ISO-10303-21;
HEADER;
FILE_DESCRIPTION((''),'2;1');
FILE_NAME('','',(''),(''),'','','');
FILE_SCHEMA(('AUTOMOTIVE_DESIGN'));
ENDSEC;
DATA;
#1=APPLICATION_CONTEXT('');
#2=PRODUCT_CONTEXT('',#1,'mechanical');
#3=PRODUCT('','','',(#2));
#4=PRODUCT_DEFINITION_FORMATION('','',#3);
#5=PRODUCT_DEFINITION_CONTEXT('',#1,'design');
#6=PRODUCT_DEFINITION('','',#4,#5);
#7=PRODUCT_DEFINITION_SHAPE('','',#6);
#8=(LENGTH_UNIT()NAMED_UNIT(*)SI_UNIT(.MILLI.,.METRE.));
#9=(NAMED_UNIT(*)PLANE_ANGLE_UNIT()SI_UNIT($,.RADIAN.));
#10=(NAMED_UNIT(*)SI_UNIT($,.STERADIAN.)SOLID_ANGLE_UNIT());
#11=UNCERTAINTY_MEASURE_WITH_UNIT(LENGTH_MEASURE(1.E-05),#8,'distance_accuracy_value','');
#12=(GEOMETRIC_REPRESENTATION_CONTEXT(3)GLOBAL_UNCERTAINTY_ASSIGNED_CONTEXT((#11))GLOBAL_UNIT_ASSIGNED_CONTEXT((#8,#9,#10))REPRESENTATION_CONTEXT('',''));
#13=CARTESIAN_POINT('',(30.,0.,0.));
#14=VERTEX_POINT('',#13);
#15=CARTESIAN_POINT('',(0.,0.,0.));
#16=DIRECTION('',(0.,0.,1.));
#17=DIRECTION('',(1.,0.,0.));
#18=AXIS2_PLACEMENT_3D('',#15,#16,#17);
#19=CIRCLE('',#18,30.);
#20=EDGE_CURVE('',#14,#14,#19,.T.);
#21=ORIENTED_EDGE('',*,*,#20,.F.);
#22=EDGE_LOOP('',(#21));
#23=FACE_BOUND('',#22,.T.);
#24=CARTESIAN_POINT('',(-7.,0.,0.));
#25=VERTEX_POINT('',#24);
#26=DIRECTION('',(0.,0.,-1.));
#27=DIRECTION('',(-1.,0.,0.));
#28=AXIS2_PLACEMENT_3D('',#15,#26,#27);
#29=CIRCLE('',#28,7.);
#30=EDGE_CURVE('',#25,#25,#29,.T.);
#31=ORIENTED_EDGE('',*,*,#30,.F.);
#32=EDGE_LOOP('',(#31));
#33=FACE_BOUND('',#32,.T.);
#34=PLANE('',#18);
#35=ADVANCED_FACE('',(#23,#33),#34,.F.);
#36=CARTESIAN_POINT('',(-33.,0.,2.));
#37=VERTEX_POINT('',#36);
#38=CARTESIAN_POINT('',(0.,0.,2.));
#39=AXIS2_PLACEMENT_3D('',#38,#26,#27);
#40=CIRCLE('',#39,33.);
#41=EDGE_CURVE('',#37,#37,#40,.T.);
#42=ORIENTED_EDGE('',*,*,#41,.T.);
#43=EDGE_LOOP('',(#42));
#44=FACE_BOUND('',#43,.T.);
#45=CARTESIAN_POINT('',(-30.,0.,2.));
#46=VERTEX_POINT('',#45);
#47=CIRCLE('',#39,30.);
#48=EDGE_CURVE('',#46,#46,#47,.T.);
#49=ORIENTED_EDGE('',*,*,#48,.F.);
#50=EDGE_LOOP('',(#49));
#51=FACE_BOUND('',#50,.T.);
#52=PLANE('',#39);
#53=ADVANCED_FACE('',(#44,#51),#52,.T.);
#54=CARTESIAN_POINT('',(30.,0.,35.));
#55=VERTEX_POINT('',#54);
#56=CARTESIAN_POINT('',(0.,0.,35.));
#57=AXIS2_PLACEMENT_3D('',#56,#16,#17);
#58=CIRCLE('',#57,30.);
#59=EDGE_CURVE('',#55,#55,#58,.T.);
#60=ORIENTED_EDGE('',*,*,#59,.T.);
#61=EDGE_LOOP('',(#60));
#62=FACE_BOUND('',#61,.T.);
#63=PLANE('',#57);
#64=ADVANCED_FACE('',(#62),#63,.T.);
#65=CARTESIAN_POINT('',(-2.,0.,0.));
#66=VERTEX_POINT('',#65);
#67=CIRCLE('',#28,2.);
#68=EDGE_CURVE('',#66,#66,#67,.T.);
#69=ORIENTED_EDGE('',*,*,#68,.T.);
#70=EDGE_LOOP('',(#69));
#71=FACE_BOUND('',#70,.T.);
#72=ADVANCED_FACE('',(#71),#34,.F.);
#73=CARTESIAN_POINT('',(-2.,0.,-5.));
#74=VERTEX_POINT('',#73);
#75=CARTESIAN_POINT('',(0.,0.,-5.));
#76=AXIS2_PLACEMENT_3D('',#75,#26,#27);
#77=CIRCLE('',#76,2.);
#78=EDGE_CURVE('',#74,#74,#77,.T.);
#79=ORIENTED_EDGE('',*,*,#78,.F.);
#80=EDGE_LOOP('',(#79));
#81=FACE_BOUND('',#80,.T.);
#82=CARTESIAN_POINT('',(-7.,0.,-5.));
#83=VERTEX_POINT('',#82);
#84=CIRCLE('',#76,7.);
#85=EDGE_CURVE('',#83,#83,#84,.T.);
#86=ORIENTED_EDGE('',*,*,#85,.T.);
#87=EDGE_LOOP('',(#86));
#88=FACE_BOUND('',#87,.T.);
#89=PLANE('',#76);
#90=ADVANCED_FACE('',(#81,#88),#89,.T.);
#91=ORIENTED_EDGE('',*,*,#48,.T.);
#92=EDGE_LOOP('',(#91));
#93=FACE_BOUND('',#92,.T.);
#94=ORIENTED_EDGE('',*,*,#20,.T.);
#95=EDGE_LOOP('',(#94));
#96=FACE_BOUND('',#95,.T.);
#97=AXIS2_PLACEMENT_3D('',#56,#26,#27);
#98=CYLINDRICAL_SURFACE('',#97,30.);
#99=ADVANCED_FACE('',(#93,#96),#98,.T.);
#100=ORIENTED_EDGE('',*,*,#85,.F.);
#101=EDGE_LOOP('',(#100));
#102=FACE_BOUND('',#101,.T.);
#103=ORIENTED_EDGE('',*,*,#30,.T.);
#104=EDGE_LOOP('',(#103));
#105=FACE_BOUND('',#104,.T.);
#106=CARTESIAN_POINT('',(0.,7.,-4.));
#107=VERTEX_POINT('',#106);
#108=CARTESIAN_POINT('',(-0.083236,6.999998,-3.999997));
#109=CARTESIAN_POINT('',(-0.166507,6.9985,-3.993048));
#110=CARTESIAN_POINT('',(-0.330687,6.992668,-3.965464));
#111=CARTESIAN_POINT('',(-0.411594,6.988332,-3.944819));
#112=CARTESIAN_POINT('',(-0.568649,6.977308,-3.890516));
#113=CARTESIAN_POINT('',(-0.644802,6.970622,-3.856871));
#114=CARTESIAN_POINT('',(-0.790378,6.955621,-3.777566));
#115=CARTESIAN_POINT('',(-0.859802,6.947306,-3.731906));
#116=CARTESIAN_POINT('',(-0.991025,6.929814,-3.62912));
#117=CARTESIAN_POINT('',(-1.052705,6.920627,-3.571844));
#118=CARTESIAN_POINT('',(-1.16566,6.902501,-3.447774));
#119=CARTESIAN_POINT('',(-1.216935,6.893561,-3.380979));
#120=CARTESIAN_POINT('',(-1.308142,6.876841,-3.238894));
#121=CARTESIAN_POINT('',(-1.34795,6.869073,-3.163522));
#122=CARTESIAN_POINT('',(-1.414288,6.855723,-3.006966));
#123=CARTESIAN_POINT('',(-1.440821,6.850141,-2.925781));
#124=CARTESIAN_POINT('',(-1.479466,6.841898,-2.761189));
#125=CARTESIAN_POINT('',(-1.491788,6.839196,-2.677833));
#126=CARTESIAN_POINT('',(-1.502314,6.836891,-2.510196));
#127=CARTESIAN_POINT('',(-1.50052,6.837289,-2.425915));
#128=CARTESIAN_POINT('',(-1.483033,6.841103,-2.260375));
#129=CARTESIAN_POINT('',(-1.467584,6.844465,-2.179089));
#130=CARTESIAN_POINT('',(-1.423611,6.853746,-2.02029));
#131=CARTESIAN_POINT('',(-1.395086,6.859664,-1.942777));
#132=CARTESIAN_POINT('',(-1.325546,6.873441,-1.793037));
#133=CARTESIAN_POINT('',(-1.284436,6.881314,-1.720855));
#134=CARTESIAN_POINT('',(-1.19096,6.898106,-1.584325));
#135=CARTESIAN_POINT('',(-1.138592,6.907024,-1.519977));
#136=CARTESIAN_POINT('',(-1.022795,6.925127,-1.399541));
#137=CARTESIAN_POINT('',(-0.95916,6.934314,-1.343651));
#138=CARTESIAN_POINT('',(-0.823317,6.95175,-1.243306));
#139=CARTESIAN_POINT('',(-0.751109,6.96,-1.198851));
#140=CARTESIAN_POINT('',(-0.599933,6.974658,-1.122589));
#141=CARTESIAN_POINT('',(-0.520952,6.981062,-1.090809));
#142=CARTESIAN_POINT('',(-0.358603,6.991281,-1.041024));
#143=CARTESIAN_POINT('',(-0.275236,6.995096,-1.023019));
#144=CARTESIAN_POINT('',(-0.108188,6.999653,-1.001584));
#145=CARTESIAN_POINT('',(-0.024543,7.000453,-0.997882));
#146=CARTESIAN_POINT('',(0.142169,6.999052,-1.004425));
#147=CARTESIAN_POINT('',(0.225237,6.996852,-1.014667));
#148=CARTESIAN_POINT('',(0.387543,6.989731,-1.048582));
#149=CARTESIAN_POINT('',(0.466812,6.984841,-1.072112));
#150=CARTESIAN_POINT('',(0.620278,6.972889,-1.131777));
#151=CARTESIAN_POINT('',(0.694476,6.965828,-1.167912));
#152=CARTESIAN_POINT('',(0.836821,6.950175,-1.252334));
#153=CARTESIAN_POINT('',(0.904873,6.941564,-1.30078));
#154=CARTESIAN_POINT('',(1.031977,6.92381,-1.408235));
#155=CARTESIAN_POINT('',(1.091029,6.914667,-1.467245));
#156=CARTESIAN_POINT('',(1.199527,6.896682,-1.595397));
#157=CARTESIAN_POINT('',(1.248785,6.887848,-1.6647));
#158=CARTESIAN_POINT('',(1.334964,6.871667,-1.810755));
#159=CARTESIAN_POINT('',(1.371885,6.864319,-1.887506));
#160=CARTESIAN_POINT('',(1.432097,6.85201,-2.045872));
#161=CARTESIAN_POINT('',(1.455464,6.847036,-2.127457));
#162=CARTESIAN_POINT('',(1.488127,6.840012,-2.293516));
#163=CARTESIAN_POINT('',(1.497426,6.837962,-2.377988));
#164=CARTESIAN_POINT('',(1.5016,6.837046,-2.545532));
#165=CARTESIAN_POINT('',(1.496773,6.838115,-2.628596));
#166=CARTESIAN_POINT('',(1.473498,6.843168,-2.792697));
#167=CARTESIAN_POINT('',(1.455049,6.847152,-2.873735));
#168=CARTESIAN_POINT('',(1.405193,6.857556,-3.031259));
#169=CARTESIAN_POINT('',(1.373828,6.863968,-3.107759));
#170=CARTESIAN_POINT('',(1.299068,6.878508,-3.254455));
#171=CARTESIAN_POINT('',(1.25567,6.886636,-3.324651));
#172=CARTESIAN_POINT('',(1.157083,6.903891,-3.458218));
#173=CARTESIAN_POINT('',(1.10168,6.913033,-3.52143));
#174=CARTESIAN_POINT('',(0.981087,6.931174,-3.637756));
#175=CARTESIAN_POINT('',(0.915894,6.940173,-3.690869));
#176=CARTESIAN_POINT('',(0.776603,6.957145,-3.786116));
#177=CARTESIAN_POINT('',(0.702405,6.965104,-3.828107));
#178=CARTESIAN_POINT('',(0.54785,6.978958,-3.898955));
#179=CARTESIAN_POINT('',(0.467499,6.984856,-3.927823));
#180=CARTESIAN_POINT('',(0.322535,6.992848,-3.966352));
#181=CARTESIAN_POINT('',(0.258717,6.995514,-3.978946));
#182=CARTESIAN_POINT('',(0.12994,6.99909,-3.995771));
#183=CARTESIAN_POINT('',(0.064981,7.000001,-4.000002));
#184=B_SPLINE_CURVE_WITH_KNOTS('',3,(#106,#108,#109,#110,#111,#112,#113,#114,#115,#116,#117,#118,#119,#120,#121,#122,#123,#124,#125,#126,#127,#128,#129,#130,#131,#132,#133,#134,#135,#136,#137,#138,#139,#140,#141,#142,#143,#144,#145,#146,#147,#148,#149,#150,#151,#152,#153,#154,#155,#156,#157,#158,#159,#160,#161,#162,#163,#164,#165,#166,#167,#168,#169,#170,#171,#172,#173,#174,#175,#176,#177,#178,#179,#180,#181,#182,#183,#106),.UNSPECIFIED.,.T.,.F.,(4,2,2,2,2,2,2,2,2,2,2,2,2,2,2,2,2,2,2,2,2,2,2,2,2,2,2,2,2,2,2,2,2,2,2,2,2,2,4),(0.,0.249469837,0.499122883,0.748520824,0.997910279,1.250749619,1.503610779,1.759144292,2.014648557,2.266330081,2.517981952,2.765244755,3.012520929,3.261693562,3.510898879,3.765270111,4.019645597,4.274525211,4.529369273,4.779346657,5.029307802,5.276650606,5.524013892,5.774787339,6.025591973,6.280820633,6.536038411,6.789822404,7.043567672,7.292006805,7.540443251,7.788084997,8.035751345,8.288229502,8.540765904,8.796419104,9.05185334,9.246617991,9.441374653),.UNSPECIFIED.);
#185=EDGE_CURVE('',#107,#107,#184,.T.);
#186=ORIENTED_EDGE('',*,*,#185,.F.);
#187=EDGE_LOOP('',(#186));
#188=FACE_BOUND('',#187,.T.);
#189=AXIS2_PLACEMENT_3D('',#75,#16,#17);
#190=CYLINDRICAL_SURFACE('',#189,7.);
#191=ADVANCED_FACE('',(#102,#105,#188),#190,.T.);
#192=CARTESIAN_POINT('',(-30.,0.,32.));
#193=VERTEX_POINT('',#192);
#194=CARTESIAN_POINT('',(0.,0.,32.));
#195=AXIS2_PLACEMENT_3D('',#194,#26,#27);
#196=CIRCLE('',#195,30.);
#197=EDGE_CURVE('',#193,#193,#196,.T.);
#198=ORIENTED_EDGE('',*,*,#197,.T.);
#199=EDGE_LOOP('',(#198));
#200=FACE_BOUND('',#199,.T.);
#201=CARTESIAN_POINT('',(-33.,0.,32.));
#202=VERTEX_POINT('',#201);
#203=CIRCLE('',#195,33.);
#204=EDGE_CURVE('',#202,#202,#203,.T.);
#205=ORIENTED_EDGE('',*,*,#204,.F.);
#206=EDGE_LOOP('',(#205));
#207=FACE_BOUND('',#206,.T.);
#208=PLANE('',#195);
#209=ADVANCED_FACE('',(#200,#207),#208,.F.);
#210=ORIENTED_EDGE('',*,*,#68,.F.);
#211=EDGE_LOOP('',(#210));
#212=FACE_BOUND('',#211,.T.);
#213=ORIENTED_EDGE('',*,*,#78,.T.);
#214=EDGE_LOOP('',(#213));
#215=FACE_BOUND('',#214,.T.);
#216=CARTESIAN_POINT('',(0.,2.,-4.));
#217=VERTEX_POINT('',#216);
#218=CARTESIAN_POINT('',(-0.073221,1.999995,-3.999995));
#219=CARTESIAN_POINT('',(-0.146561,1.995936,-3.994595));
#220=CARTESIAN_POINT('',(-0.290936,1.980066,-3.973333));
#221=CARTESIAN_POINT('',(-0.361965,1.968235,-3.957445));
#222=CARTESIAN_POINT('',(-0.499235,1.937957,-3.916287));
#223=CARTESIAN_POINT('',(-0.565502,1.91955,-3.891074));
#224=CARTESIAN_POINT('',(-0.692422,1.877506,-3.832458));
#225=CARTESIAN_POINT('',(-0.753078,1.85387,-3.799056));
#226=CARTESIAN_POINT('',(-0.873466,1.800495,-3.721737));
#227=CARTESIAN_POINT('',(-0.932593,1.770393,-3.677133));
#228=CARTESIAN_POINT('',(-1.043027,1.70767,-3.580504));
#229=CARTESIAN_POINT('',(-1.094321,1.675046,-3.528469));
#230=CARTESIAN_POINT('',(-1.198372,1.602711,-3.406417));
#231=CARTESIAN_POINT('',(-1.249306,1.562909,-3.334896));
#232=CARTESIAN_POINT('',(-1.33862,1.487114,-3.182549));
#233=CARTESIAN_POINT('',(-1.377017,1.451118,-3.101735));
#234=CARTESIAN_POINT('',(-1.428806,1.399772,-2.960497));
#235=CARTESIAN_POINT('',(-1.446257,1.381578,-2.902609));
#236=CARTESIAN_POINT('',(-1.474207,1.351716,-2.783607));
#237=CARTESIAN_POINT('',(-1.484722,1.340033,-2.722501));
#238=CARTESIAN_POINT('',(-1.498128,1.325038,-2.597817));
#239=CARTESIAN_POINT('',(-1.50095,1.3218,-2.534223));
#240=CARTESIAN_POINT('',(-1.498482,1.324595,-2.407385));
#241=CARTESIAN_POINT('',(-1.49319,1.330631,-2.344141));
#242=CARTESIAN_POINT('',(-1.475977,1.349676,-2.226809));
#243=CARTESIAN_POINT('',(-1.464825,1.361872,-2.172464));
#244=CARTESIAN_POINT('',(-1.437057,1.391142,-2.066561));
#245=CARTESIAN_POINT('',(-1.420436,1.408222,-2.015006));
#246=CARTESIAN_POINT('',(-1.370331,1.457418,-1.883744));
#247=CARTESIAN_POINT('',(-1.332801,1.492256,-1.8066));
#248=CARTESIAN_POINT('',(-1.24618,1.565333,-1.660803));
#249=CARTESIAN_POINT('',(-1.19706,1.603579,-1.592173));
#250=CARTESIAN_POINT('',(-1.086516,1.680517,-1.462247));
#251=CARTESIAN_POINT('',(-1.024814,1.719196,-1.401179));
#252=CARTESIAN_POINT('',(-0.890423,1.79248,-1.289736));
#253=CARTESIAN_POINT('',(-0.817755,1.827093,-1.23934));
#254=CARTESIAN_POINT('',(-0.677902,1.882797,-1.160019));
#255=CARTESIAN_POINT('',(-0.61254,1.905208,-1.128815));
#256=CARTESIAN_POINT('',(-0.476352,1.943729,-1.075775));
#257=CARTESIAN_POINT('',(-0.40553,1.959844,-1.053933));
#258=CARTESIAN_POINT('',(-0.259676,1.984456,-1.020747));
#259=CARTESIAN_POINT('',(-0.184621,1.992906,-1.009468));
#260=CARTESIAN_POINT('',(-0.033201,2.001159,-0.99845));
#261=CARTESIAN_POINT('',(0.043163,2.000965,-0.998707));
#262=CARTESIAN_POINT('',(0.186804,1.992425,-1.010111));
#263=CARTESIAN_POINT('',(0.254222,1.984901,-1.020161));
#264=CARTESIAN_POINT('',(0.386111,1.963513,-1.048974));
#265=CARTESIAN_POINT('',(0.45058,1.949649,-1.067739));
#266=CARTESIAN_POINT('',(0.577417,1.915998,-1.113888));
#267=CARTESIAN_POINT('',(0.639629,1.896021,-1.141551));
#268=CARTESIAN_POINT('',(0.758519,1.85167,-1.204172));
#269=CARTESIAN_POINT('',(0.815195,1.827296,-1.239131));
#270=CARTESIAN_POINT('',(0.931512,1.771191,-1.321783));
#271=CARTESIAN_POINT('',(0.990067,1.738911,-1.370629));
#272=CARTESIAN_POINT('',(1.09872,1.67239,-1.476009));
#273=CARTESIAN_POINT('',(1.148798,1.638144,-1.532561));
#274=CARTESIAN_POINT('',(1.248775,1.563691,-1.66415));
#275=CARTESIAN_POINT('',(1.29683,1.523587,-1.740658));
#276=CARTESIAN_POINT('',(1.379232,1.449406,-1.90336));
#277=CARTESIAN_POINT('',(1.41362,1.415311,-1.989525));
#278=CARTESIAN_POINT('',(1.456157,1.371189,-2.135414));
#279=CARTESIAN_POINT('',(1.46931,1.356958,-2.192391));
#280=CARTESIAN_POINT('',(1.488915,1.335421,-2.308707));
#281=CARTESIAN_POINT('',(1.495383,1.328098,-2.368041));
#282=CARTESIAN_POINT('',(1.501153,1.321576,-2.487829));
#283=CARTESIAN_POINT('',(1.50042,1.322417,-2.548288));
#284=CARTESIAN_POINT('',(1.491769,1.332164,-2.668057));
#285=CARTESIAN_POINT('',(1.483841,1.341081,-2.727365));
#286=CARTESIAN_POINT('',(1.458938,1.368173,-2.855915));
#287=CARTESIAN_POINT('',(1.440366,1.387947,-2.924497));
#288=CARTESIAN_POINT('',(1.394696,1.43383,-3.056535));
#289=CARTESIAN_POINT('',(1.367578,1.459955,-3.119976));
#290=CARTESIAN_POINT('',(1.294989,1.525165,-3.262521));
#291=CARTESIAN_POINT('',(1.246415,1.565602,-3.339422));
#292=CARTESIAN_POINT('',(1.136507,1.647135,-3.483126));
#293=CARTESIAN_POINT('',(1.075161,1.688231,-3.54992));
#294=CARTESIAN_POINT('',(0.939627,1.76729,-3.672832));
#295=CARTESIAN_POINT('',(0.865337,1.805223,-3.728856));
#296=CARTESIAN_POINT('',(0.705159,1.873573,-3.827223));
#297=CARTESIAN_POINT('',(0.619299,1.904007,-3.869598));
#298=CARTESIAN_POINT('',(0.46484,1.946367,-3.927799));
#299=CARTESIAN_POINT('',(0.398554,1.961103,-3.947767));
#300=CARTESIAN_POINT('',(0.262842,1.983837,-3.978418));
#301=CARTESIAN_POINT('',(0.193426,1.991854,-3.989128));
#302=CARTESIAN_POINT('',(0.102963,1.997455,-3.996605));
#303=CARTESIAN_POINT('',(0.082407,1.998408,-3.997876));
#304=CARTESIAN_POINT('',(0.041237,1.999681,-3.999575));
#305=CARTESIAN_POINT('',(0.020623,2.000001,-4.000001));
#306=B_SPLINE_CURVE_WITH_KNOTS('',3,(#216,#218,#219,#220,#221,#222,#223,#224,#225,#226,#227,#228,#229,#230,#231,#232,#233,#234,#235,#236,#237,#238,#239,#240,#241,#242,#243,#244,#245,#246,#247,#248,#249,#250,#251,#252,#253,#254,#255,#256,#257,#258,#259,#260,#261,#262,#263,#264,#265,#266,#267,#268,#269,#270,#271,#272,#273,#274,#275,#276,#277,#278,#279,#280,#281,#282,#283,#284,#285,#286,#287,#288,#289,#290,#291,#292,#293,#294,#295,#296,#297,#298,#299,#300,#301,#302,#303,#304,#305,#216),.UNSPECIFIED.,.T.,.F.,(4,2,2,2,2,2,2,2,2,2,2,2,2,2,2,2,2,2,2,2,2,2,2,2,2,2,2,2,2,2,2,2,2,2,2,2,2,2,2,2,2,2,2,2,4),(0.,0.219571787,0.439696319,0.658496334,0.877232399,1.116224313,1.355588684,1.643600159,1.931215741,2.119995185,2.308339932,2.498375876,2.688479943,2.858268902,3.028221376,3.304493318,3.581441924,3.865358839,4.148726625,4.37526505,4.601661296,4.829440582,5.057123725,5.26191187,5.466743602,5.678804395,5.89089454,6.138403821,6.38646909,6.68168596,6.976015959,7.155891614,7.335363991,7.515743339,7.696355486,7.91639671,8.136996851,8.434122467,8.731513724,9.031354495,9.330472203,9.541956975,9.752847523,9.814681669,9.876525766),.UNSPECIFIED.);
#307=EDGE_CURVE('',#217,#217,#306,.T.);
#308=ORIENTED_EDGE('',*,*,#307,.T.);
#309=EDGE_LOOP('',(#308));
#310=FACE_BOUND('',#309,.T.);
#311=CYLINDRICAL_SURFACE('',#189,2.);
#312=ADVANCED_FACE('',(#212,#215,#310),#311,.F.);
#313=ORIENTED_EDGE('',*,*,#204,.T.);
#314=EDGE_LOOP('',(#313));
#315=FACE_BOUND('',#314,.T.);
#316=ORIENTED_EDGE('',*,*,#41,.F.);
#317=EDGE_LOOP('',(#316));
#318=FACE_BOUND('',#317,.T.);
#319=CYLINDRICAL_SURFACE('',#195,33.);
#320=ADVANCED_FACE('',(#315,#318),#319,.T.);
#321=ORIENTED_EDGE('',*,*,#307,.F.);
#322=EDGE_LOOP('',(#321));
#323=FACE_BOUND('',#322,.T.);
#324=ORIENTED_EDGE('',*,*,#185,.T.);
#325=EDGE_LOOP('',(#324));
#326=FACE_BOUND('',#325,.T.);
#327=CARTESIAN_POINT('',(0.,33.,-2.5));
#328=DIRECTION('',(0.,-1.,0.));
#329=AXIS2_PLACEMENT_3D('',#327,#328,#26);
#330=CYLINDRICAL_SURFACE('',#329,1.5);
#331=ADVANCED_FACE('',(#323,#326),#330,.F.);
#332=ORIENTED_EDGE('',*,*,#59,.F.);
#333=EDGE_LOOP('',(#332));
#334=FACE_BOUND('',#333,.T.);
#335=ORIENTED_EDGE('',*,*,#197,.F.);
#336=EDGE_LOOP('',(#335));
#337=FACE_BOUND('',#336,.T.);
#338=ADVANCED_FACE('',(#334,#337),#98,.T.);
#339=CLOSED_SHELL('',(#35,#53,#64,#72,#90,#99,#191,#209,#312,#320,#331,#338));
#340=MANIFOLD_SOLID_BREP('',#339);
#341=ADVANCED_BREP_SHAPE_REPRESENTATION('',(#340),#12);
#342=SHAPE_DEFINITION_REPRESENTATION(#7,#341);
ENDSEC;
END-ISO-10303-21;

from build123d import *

# Parameters (mm, degrees)
ESQUISSE1_R             = 30
BOSS_EXTRU_1_DEPTH      = 35
BOSS_EXTRU_2_START      = -2
ESQUISSE3_R             = 33
ESQUISSE3_R_2           = 30
BOSS_EXTRU_2_DEPTH      = 30
ESQUISSE4_R             = 7
ESQUISSE4_R_2           = 2
BOSS_EXTRU_3_DEPTH      = 5
ESQUISSE5_R             = 1.5
ENL_V_MAT_EXTRU_1_DEPTH = 59.335238064


with BuildPart() as part:
    # Esquisse1 → Boss.-Extru.1 (new body)
    with BuildSketch(Plane.XY):
        Circle(ESQUISSE1_R)
    extrude(amount=BOSS_EXTRU_1_DEPTH)

    # Esquisse3 → Boss.-Extru.2 (add)
    with BuildSketch(Plane(origin=(0, 0, 0), x_dir=(-1, 0, 0), z_dir=(0, 0, -1)).offset(BOSS_EXTRU_2_START)):
        Circle(ESQUISSE3_R)
        Circle(ESQUISSE3_R_2, mode=Mode.SUBTRACT)
    extrude(amount=-BOSS_EXTRU_2_DEPTH)

    # Esquisse4 → Boss.-Extru.3 (add)
    with BuildSketch(Plane(origin=(0, 0, 0), x_dir=(-1, 0, 0), z_dir=(0, 0, -1))):
        Circle(ESQUISSE4_R)
        Circle(ESQUISSE4_R_2, mode=Mode.SUBTRACT)
    extrude(amount=BOSS_EXTRU_3_DEPTH)

    # Esquisse5 → Enlèv. mat.-Extru.1 (cut, through all)
    with BuildSketch(Plane(origin=(0, 0, 0), x_dir=(1, 0, 0), z_dir=(0, 1, 0))):
        with Locations(Location((0, 2.5, 0), (0, 0, 90))):
            Circle(ESQUISSE5_R)
    extrude(amount=ENL_V_MAT_EXTRU_1_DEPTH, mode=Mode.SUBTRACT)


solid = part.part
